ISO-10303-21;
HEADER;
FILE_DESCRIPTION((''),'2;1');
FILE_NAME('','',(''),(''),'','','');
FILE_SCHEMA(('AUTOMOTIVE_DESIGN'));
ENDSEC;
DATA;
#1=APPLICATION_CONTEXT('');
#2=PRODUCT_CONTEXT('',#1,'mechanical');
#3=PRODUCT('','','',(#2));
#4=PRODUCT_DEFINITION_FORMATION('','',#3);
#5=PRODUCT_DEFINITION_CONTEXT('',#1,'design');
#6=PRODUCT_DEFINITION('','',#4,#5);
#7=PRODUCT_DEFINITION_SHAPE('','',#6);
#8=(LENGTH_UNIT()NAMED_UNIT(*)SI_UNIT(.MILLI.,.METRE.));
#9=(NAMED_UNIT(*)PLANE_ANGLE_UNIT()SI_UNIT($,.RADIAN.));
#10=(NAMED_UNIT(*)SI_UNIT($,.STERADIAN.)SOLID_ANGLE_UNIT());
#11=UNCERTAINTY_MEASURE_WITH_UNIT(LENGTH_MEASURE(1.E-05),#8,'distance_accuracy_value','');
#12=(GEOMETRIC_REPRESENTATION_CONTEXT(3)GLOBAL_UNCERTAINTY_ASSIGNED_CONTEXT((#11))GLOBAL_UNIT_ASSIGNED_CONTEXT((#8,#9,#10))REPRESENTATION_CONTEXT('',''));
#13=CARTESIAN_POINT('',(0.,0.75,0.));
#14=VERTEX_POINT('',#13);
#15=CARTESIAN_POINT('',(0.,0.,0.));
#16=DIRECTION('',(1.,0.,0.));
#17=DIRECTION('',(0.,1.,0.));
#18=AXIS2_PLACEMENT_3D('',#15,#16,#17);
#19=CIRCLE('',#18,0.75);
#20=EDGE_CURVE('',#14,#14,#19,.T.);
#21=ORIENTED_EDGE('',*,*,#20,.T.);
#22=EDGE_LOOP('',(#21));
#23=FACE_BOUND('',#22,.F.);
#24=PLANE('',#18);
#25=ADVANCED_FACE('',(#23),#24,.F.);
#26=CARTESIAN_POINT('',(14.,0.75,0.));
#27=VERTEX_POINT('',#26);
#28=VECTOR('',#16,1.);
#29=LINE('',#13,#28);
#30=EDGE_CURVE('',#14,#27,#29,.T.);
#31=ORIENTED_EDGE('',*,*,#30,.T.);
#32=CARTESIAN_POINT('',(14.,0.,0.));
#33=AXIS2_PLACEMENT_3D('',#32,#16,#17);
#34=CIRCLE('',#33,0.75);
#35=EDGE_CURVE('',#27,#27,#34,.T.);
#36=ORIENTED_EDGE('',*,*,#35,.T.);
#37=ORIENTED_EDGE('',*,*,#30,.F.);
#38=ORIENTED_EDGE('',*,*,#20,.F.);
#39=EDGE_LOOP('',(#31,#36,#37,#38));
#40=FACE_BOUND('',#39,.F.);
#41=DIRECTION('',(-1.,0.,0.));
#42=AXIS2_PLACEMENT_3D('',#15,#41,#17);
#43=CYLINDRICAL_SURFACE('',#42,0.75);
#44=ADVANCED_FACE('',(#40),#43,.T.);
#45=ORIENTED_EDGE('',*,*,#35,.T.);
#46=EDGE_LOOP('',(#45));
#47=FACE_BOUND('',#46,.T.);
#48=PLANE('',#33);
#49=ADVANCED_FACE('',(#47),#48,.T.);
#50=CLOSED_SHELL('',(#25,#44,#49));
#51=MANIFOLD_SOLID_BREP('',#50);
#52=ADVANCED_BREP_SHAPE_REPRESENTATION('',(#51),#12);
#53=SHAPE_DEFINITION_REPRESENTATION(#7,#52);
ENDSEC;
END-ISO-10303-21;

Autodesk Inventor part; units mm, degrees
ref_plane "YZ Plane" through (0, 0, 0) normal (1, 0, 0) x (0, 1, 0)
ref_plane "XZ Plane" through (0, 0, 0) normal (0, 1, 0) x (-1, 0, 0)
ref_plane "XY Plane" through (0, 0, 0) normal (0, 0, 1) x (1, 0, 0)
sketch "Skizze1" plane through (0, 0, 0) normal (1, 0, 0) x (0, 1, 0)
  circle A0 centre (0, 0) radius 0.75
  dimension "d0" = 1.5
extrude "Extrusion1" add sketch "Skizze1" along normal blind 14
properties part number "00_pins_1.5mmx14mm"
